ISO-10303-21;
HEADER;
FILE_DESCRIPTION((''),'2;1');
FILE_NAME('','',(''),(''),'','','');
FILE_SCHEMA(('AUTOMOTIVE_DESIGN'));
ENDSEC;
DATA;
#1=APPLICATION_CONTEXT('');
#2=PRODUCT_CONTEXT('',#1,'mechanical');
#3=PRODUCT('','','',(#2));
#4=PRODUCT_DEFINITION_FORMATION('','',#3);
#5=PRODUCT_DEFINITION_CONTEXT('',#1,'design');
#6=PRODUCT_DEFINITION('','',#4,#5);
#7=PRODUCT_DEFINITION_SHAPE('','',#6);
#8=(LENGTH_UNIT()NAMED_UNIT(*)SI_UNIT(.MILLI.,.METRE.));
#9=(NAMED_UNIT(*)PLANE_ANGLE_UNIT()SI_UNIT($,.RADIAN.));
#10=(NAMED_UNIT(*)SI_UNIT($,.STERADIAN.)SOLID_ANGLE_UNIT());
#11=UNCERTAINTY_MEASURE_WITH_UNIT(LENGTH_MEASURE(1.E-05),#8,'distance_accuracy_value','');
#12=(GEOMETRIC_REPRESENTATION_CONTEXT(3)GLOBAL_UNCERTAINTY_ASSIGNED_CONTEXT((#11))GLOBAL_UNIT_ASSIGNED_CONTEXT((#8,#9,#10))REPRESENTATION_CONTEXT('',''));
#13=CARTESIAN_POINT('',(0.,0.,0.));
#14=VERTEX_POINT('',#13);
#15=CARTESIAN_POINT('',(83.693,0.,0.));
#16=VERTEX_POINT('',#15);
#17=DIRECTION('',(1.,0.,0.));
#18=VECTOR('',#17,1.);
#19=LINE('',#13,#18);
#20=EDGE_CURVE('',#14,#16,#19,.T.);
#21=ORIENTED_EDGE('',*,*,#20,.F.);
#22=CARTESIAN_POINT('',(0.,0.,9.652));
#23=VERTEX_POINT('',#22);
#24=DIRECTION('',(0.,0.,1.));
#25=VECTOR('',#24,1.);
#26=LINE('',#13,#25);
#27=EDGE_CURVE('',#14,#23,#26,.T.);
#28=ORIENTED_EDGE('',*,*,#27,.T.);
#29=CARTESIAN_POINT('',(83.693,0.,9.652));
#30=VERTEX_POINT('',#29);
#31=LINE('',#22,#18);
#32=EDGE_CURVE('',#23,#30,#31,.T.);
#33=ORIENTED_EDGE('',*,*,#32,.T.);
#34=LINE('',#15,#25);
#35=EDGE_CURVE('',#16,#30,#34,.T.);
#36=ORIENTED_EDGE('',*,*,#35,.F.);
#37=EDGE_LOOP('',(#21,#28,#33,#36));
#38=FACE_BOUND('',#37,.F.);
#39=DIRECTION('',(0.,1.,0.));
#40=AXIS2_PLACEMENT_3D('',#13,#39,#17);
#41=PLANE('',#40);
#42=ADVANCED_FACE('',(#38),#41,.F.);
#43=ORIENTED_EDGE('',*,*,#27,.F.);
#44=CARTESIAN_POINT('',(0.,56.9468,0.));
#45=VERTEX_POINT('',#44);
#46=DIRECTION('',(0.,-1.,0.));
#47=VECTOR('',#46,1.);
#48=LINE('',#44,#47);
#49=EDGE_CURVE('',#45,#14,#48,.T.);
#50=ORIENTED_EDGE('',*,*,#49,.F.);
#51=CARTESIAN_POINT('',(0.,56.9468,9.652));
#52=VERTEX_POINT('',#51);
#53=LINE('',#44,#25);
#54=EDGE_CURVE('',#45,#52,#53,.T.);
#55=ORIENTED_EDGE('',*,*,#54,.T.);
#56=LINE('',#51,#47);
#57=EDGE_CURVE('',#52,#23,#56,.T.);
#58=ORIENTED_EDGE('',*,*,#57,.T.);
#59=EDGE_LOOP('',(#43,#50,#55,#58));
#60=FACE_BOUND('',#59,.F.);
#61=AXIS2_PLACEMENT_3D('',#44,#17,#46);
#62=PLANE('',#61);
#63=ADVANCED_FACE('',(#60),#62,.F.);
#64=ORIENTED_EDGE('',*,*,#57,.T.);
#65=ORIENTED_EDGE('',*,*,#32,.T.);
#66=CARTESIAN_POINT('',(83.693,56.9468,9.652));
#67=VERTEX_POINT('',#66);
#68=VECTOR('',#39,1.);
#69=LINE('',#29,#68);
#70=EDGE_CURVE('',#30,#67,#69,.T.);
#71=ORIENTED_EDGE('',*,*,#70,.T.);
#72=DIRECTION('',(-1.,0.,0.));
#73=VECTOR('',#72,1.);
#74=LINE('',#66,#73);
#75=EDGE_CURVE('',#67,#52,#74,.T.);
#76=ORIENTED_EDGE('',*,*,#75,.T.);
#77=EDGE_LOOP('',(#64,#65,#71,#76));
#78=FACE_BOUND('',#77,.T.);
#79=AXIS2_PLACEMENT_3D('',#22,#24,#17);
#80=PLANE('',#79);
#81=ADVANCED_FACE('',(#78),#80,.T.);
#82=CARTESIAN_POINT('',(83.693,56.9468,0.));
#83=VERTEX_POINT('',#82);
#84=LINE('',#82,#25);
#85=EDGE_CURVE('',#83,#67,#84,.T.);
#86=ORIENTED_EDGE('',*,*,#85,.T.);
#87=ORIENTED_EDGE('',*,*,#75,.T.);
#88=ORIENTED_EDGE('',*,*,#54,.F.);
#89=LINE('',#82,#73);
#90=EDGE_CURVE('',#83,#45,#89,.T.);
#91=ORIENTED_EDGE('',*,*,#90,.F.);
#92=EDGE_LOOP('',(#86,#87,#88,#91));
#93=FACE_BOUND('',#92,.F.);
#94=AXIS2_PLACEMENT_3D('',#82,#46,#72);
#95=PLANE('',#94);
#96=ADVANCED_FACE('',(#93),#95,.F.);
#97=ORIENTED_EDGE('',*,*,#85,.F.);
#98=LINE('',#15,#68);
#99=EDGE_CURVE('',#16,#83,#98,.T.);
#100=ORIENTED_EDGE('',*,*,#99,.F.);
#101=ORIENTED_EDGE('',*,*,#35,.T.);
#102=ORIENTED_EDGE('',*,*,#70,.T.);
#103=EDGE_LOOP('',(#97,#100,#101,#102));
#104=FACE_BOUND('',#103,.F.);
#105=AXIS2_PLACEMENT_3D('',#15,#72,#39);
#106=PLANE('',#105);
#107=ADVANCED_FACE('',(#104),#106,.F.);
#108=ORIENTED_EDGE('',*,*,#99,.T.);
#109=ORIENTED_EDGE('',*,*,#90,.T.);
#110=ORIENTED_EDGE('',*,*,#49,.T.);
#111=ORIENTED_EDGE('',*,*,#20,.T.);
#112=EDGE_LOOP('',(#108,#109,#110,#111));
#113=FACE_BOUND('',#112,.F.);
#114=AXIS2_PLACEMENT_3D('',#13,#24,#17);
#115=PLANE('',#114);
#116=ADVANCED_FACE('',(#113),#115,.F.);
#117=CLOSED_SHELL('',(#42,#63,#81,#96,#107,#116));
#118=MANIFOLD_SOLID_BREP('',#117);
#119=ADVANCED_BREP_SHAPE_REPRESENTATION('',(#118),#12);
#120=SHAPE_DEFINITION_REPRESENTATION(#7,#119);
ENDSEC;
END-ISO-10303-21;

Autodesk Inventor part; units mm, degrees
ref_plane "YZ Plane" through (0, 0, 0) normal (1, 0, 0) x (0, 1, 0)
ref_plane "XZ Plane" through (0, 0, 0) normal (0, 1, 0) x (-1, 0, 0)
ref_plane "XY Plane" through (0, 0, 0) normal (0, 0, 1) x (1, 0, 0)
sketch "Sketch1" plane through (0, 0, 0) normal (0, 0, 1) x (1, 0, 0)
  line L0 (0, 0) -> (83.693, 0)
  line L1 (83.693, 0) -> (83.693, 56.9468)
  line L2 (83.693, 56.9468) -> (0, 56.9468)
  line L3 (0, 56.9468) -> (0, 0)
  dimension "d0" = 83.693
  dimension "d1" = 56.9468
extrude "Extrusion1" add sketch "Sketch1" along normal blind 9.652
properties part number "Breadboard"
